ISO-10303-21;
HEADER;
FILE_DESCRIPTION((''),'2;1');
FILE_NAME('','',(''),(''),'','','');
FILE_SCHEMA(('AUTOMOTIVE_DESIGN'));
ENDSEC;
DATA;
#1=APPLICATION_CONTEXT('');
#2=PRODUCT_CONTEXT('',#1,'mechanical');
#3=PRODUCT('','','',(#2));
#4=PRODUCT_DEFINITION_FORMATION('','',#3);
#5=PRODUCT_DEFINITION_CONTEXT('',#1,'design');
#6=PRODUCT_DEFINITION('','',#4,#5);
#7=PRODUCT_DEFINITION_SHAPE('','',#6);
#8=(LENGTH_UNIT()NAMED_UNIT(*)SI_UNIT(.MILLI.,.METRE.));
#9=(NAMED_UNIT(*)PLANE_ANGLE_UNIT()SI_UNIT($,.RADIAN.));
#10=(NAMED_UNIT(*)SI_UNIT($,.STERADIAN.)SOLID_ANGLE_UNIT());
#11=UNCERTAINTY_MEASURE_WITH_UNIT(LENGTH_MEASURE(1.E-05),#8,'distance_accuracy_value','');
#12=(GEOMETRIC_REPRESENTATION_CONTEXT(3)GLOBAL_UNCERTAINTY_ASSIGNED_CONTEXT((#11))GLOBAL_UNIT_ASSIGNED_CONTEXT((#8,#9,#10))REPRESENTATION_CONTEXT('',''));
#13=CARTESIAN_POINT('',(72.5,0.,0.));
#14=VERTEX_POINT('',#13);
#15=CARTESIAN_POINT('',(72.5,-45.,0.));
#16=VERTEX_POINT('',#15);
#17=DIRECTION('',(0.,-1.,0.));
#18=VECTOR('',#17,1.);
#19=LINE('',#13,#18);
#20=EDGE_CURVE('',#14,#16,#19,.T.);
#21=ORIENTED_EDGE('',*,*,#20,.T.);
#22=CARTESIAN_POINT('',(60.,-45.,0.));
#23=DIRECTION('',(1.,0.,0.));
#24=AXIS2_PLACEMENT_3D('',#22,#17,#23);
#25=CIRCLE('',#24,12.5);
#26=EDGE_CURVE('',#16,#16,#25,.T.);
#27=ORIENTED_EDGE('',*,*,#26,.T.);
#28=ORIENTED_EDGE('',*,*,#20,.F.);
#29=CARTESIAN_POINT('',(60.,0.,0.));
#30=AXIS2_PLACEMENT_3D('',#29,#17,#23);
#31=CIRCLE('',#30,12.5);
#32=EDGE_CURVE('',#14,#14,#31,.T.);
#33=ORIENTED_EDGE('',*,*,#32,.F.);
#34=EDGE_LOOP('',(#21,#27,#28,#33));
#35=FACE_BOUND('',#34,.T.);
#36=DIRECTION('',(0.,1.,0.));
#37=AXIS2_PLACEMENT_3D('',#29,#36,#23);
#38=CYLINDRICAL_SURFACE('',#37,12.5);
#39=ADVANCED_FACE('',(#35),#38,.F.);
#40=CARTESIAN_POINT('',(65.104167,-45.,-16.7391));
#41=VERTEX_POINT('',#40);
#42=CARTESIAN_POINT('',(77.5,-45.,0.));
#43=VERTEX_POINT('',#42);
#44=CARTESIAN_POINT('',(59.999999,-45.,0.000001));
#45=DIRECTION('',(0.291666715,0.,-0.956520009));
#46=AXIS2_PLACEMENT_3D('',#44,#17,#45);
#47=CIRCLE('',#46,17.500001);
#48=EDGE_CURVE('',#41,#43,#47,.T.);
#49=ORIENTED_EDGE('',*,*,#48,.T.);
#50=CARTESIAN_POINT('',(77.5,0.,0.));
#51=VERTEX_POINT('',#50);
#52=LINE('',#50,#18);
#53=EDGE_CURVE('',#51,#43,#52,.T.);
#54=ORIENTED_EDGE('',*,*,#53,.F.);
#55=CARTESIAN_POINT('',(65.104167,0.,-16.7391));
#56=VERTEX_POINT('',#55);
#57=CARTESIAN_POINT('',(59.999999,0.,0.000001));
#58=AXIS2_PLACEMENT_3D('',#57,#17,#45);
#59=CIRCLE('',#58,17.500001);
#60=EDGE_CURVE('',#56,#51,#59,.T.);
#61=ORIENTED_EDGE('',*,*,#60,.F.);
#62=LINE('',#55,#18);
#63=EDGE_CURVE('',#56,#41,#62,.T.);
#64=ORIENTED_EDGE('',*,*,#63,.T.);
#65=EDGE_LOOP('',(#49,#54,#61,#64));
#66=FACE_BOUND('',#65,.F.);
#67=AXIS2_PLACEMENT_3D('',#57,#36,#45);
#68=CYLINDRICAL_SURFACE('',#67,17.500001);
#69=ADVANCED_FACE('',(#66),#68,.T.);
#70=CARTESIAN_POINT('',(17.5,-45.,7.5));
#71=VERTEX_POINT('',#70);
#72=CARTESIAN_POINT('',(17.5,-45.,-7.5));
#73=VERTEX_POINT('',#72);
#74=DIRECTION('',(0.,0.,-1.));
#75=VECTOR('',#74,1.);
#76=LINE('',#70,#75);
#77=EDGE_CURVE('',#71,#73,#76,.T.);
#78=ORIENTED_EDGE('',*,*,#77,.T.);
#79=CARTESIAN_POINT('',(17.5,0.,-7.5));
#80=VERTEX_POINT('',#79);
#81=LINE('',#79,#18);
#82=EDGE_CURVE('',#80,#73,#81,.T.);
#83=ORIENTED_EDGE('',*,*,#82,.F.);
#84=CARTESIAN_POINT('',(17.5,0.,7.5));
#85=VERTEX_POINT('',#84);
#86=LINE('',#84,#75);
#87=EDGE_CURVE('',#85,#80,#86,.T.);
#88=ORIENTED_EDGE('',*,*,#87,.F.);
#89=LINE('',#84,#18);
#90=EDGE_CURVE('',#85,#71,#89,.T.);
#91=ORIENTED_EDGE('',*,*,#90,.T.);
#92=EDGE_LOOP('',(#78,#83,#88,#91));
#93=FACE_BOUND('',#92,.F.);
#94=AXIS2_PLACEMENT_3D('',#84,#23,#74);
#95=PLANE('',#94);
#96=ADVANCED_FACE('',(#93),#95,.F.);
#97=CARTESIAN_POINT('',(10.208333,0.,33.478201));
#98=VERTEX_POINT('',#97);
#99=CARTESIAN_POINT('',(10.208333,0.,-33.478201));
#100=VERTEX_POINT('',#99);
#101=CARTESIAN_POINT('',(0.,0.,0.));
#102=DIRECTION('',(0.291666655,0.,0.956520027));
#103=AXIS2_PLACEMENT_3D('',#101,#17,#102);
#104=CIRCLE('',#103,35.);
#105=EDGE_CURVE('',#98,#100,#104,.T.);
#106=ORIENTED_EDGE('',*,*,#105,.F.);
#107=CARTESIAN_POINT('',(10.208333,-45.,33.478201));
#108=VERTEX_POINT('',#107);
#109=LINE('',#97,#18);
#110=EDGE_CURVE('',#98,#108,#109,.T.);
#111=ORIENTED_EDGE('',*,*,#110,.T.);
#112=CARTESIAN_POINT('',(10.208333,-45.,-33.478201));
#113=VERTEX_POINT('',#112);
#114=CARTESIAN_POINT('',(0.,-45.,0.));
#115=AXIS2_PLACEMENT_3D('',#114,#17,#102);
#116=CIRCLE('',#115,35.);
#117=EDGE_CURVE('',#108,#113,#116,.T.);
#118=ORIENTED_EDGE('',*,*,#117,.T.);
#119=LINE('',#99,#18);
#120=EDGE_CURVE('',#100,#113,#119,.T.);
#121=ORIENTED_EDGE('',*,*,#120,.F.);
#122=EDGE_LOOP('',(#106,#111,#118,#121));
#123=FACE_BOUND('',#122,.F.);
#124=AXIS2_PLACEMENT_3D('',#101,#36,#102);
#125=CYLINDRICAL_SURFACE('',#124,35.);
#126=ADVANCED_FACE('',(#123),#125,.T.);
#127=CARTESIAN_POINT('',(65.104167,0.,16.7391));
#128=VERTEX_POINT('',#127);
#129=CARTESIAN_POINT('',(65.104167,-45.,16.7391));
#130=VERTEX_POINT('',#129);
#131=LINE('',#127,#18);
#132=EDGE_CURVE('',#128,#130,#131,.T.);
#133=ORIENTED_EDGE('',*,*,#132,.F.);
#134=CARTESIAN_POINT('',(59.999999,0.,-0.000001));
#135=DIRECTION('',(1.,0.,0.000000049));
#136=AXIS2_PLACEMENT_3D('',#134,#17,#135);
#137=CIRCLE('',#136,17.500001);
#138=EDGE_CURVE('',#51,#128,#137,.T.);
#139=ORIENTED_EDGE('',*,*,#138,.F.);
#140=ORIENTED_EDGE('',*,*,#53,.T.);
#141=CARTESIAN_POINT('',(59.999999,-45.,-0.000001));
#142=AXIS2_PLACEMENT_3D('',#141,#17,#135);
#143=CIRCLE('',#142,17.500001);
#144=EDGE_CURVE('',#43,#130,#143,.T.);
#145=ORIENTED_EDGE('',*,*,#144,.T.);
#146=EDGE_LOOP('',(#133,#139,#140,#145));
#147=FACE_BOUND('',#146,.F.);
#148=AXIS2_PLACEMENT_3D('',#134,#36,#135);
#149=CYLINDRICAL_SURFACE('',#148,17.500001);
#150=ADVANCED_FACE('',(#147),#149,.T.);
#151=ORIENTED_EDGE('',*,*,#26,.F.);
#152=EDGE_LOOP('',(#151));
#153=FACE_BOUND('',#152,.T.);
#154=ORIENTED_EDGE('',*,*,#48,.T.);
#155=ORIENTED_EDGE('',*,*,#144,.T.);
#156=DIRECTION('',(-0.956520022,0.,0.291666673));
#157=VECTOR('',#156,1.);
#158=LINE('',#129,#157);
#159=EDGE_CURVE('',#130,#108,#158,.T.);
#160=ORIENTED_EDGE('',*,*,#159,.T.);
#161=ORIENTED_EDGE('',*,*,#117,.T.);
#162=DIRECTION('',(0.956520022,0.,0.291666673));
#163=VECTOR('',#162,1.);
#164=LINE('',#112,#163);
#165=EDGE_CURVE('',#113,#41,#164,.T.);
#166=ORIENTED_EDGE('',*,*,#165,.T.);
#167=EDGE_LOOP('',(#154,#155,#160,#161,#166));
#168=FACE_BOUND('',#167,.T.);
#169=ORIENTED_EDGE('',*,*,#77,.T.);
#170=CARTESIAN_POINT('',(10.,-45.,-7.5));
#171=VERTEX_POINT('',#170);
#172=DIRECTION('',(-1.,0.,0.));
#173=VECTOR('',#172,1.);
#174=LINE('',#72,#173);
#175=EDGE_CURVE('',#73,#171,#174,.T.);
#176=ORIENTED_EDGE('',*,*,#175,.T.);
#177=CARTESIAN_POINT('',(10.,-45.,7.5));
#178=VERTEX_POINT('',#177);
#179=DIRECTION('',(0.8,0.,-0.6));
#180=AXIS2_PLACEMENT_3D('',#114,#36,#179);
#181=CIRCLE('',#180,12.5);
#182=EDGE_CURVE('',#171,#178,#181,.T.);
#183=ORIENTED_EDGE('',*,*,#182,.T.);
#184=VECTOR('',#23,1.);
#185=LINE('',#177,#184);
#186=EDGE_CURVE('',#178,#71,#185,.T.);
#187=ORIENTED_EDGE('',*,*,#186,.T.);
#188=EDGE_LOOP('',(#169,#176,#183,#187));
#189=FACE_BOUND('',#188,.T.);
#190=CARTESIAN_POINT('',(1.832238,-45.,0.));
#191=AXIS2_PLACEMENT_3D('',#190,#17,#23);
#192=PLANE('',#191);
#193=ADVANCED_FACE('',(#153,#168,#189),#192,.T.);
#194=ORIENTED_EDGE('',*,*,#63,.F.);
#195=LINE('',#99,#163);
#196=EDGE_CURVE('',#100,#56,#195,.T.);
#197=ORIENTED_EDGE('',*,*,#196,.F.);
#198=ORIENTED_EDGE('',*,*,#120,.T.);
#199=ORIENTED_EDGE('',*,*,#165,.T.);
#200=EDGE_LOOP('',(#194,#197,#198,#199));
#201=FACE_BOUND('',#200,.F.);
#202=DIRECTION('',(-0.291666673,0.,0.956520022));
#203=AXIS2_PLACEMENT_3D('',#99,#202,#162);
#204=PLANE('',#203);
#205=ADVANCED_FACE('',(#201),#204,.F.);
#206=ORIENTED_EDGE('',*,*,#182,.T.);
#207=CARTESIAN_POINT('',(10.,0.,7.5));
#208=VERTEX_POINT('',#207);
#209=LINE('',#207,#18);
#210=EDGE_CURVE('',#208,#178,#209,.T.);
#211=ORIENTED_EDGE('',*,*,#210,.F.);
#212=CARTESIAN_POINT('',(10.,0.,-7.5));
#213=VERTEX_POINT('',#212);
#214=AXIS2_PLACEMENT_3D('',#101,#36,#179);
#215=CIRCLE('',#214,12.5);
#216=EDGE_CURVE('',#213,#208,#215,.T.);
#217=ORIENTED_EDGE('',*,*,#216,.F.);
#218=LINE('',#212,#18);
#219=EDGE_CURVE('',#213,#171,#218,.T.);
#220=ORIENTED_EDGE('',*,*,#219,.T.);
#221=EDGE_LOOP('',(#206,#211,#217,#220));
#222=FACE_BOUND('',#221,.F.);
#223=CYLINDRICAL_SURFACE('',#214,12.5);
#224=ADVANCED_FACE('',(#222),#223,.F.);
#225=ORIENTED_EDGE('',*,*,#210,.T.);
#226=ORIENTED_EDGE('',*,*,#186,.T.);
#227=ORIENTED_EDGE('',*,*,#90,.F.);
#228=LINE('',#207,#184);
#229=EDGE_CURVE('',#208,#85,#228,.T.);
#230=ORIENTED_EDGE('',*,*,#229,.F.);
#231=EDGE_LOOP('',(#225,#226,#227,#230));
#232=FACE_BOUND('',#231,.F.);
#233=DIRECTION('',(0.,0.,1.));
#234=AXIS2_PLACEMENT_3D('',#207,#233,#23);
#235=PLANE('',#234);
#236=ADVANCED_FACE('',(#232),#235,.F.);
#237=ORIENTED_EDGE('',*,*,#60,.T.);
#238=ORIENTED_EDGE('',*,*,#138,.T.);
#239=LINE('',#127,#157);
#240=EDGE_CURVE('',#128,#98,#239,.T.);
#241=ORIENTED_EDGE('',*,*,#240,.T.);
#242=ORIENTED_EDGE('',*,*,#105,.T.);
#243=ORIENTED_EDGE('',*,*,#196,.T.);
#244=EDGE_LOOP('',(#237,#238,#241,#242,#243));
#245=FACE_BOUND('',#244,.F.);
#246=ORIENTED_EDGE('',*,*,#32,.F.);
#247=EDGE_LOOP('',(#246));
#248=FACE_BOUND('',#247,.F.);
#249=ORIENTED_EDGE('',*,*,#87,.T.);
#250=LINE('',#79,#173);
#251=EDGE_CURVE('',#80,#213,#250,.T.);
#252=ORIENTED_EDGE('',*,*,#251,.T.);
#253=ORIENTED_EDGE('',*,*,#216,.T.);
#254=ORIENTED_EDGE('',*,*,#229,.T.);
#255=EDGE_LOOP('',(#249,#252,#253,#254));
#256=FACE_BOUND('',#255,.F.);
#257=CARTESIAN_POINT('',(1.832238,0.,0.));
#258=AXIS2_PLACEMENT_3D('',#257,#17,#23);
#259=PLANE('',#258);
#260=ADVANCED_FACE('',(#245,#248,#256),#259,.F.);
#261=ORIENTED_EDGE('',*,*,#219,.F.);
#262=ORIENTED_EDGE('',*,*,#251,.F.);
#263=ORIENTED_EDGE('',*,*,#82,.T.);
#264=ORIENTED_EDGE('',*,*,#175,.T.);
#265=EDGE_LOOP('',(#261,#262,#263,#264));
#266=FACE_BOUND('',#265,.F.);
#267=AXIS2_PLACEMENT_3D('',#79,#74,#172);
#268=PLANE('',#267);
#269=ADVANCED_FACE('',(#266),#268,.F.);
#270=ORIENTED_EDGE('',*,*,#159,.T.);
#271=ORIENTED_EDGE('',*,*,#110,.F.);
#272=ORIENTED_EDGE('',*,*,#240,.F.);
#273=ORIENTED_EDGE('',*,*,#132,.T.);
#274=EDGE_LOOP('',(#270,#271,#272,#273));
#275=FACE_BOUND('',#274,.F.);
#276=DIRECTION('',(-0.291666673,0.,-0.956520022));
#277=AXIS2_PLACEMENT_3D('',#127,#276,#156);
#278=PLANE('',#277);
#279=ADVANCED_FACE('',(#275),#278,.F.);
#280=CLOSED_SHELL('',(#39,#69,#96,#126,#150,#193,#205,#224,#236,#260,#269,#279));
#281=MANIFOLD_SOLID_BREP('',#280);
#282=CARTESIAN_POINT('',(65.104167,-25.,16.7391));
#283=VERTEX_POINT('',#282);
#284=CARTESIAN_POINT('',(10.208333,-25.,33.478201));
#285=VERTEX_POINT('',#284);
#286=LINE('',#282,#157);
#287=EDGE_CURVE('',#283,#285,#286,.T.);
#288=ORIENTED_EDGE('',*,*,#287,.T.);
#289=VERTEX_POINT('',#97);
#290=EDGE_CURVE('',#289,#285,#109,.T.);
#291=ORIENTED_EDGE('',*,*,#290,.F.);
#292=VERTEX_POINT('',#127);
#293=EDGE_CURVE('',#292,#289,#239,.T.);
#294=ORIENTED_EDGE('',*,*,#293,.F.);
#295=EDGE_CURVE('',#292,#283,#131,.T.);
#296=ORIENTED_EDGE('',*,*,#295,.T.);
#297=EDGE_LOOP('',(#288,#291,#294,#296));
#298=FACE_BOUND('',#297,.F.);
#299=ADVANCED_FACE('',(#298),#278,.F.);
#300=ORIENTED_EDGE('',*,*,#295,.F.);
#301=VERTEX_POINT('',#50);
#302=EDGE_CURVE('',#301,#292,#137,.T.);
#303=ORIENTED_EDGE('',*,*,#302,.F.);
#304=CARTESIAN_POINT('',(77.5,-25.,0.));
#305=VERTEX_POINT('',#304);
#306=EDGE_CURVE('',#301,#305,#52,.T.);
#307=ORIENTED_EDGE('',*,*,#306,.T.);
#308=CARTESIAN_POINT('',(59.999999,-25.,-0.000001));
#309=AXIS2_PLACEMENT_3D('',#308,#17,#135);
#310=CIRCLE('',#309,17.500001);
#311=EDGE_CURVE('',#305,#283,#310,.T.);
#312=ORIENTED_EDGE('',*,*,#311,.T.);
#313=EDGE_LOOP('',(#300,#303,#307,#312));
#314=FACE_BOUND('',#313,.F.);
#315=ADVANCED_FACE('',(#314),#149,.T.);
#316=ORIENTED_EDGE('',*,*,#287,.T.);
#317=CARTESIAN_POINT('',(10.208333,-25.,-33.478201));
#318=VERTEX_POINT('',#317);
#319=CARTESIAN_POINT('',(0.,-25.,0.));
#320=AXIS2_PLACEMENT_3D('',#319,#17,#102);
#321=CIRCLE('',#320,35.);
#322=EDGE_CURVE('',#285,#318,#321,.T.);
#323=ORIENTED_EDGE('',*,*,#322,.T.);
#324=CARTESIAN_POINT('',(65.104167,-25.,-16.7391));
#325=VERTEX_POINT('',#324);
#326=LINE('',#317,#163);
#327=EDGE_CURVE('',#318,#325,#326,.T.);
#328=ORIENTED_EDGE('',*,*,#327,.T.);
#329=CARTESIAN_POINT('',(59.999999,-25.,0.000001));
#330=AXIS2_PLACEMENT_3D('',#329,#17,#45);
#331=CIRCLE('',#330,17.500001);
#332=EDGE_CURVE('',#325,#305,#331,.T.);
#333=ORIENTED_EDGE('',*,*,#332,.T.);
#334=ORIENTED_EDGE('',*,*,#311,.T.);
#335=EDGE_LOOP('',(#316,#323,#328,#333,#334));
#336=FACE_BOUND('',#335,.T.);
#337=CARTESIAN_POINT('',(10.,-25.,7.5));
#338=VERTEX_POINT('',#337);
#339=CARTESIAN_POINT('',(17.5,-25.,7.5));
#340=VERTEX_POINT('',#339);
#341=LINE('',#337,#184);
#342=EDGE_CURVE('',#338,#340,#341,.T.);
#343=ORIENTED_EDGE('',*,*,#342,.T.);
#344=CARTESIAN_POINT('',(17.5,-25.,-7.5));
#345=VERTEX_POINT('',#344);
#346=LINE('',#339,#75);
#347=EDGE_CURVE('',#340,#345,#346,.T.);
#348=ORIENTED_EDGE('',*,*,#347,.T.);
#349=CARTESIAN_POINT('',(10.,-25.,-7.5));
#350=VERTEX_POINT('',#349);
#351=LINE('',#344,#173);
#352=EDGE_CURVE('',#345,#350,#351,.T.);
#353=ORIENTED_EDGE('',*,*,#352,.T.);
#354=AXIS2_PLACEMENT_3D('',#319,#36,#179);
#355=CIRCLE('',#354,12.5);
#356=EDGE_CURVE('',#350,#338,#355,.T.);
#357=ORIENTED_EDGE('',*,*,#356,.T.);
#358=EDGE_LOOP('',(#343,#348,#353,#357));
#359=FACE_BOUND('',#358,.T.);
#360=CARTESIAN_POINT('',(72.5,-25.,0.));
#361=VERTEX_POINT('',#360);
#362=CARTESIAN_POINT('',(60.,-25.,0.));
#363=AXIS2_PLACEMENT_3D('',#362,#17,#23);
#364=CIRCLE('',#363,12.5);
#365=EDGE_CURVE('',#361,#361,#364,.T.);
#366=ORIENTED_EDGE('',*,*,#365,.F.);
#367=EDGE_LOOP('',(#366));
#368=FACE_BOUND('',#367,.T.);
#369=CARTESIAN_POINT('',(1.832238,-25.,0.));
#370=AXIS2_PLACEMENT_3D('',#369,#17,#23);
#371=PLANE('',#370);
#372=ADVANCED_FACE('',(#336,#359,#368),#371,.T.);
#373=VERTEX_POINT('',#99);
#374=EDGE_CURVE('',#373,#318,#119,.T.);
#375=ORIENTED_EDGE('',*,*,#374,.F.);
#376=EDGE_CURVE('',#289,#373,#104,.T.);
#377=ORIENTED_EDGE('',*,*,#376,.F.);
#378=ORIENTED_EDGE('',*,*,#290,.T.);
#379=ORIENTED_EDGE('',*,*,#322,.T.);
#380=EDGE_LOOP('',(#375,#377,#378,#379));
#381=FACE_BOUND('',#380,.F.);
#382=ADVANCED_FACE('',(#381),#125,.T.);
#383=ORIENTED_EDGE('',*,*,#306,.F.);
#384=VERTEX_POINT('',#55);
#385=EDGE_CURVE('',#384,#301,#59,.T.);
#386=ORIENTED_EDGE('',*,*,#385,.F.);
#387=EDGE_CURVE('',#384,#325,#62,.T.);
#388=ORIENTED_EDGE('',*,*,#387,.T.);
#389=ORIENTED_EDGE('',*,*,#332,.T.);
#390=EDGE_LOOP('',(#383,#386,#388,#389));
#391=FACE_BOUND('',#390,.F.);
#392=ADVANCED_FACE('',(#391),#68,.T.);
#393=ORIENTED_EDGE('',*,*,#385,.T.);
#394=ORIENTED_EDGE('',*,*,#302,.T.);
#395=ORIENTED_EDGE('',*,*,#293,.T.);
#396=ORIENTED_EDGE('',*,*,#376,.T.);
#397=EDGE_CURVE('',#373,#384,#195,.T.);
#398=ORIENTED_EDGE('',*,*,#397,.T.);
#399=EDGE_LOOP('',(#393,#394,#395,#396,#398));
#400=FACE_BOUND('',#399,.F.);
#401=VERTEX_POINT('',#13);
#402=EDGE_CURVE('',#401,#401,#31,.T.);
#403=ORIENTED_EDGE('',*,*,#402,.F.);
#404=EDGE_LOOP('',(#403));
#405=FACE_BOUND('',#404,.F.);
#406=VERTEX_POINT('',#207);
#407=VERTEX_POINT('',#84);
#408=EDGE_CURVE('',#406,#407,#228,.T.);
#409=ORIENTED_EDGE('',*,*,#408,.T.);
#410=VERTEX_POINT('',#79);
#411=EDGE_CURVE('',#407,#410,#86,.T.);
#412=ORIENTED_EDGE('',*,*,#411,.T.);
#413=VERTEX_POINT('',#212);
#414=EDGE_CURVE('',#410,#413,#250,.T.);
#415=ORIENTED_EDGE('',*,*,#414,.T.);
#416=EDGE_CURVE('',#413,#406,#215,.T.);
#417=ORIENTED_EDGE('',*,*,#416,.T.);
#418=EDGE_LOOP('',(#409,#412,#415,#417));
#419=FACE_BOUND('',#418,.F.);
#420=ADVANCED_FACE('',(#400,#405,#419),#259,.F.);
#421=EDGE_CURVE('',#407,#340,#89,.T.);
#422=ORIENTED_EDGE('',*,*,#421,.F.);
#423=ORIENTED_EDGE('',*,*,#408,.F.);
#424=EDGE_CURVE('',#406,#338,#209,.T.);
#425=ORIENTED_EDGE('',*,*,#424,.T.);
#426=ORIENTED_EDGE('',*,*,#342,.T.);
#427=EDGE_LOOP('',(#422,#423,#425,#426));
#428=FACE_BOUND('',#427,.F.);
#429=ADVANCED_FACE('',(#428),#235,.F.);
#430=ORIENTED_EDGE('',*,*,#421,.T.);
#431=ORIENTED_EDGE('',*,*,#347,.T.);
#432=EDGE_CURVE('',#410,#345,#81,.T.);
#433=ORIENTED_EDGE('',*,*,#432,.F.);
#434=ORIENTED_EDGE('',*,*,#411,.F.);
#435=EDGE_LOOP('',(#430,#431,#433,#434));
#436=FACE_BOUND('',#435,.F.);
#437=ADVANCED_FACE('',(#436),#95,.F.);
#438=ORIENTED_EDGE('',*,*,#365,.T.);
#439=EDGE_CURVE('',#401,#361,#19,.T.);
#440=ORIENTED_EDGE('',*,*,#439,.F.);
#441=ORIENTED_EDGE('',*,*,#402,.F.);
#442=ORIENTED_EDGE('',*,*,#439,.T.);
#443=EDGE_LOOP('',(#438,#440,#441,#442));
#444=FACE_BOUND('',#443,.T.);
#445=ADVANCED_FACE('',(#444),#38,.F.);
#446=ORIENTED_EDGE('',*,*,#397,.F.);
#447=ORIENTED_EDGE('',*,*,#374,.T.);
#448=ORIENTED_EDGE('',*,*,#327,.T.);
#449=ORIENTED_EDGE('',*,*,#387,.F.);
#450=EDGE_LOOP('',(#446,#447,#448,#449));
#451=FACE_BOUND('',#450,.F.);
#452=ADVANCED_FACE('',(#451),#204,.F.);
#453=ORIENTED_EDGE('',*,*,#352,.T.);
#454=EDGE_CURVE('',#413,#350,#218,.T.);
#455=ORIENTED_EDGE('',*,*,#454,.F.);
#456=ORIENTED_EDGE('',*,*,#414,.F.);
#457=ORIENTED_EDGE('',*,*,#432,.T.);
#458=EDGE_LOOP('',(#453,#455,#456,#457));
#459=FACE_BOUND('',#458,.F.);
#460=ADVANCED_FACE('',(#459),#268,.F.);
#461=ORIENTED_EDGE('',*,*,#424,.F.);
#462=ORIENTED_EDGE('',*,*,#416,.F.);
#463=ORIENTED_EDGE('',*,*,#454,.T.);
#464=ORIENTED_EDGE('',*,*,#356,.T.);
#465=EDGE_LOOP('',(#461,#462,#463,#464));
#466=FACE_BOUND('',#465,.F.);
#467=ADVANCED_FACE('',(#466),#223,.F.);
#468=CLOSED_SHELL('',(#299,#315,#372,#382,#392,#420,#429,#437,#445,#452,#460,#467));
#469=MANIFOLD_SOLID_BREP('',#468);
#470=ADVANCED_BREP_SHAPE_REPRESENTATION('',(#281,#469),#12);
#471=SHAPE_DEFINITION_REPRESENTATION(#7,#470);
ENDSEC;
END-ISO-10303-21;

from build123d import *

# Parameters (mm, degrees)
F0_R     = 12.5
F1_DEPTH = 25
F2_DEPTH = 45


with BuildPart() as f1:
    # F0 (on Front) → F1 (new body)
    with BuildSketch(Plane.XZ):
        with BuildLine():
            ThreePointArc((10.208333, -33.478201), (28.127315, -20.829166), (35, 0))
            ThreePointArc((35, 0), (28.127315, 20.829166), (10.208333, 33.478201))
            ThreePointArc((10.208333, 33.478201), (-35, 0), (10.208333, -33.478201))
        make_face()
        with BuildLine():
            ThreePointArc((-10, 7.5), (0, 12.5), (10, 7.5))
            Line((10, 7.5), (17.5, 7.5))
            Line((17.5, 7.5), (17.5, -7.5))
            Line((17.5, -7.5), (10, -7.5))
            ThreePointArc((10, -7.5), (0, -12.5), (-10, -7.5))
            Line((-10, -7.5), (-17.5, -7.5))
            Line((-17.5, -7.5), (-17.5, 7.5))
            Line((-17.5, 7.5), (-10, 7.5))
        make_face(mode=Mode.SUBTRACT)
        with BuildLine():
            ThreePointArc((-10, -7.5), (-12.5, 0), (-10, 7.5))
            Line((-10, 7.5), (-17.5, 7.5))
            Line((-17.5, 7.5), (-17.5, -7.5))
            Line((-17.5, -7.5), (-10, -7.5))
        make_face()
        with BuildLine():
            ThreePointArc((10.208333, 33.478201), (28.127315, 20.829166), (35, 0))
            ThreePointArc((35, 0), (28.127315, -20.829166), (10.208333, -33.478201))
            Line((10.208333, -33.478201), (65.104167, -16.7391))
            ThreePointArc((65.104167, -16.7391), (42.5, 0), (65.104167, 16.7391))
            Line((65.104167, 16.7391), (10.208333, 33.478201))
        make_face()
        with BuildLine():
            ThreePointArc((77.5, 0), (74.063657, 10.414583), (65.104167, 16.7391))
            ThreePointArc((65.104167, 16.7391), (42.5, 0), (65.104167, -16.7391))
            ThreePointArc((65.104167, -16.7391), (74.063657, -10.414583), (77.5, 0))
        make_face()
        with Locations((60, 0)):
            Circle(F0_R, mode=Mode.SUBTRACT)
    extrude(amount=F1_DEPTH)


with BuildPart() as f2:
    # F0 (on Front) → F2 (new body)
    with BuildSketch(Plane.XZ):
        with BuildLine():
            ThreePointArc((10.208333, -33.478201), (28.127315, -20.829166), (35, 0))
            ThreePointArc((35, 0), (28.127315, 20.829166), (10.208333, 33.478201))
            ThreePointArc((10.208333, 33.478201), (-35, 0), (10.208333, -33.478201))
        make_face()
        with BuildLine():
            ThreePointArc((-10, 7.5), (0, 12.5), (10, 7.5))
            Line((10, 7.5), (17.5, 7.5))
            Line((17.5, 7.5), (17.5, -7.5))
            Line((17.5, -7.5), (10, -7.5))
            ThreePointArc((10, -7.5), (0, -12.5), (-10, -7.5))
            Line((-10, -7.5), (-17.5, -7.5))
            Line((-17.5, -7.5), (-17.5, 7.5))
            Line((-17.5, 7.5), (-10, 7.5))
        make_face(mode=Mode.SUBTRACT)
        with BuildLine():
            ThreePointArc((-10, -7.5), (-12.5, 0), (-10, 7.5))
            Line((-10, 7.5), (-17.5, 7.5))
            Line((-17.5, 7.5), (-17.5, -7.5))
            Line((-17.5, -7.5), (-10, -7.5))
        make_face()
        with BuildLine():
            ThreePointArc((10.208333, 33.478201), (28.127315, 20.829166), (35, 0))
            ThreePointArc((35, 0), (28.127315, -20.829166), (10.208333, -33.478201))
            Line((10.208333, -33.478201), (65.104167, -16.7391))
            ThreePointArc((65.104167, -16.7391), (42.5, 0), (65.104167, 16.7391))
            Line((65.104167, 16.7391), (10.208333, 33.478201))
        make_face()
        with BuildLine():
            ThreePointArc((77.5, 0), (74.063657, 10.414583), (65.104167, 16.7391))
            ThreePointArc((65.104167, 16.7391), (42.5, 0), (65.104167, -16.7391))
            ThreePointArc((65.104167, -16.7391), (74.063657, -10.414583), (77.5, 0))
        make_face()
        with Locations((60, 0)):
            Circle(F0_R, mode=Mode.SUBTRACT)
    extrude(amount=F2_DEPTH)


solid = Compound([f1.part, f2.part])
